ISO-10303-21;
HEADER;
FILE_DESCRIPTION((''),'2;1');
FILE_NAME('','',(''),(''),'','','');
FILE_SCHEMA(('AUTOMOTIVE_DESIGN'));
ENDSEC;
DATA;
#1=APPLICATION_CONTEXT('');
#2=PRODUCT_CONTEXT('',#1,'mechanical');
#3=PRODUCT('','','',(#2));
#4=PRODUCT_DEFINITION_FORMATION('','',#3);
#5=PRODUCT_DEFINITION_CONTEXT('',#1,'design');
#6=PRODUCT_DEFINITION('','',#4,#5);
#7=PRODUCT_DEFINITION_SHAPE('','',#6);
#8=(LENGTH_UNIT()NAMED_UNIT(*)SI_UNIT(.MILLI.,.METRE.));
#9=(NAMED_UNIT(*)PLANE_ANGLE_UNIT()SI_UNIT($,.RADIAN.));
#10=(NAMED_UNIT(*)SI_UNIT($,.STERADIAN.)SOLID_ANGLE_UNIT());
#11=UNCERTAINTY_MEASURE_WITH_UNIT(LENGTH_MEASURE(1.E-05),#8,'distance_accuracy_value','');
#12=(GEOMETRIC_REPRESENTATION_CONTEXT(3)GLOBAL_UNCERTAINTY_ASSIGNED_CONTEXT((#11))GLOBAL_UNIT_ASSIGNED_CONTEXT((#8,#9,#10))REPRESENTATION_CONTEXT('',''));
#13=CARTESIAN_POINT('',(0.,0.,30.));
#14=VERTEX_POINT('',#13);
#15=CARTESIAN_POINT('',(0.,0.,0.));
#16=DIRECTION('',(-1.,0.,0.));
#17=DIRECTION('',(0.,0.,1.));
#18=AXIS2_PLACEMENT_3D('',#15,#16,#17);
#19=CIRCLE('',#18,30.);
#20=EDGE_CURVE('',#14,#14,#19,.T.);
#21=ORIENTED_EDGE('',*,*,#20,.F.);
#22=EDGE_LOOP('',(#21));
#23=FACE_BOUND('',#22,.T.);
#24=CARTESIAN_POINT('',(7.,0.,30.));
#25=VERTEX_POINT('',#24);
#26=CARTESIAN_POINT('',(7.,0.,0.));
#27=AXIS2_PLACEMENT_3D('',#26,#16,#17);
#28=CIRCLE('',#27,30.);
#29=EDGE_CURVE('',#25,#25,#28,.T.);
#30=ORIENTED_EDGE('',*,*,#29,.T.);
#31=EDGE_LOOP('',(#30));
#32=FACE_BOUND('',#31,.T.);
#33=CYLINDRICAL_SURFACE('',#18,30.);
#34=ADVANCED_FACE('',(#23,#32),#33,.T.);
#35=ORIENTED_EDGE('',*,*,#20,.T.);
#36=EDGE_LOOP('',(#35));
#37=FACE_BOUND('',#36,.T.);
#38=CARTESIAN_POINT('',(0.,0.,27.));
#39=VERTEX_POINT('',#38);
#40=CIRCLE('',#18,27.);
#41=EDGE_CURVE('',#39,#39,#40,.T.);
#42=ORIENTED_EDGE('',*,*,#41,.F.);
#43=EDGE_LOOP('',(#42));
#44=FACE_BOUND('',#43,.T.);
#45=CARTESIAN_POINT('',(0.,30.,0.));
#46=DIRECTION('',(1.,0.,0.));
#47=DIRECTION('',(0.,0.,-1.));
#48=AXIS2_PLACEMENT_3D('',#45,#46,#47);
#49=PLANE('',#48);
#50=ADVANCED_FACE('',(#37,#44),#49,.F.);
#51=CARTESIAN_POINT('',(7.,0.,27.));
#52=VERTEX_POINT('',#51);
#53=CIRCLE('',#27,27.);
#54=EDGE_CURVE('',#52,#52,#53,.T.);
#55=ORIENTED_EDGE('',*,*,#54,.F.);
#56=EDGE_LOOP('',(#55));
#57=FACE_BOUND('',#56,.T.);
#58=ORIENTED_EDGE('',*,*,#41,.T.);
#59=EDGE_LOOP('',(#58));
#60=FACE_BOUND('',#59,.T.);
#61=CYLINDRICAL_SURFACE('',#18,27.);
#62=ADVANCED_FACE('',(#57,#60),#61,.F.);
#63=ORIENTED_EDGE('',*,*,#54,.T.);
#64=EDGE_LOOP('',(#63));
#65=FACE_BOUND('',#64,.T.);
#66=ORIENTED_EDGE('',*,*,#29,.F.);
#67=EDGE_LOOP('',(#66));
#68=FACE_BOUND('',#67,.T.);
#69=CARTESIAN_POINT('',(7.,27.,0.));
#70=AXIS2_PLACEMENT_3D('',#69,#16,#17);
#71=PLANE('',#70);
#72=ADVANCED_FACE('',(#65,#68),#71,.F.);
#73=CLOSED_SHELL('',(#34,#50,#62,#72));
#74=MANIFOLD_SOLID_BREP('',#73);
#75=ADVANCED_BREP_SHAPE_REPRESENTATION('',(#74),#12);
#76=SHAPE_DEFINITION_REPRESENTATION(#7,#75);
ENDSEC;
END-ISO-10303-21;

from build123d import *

# Parameters (mm, degrees)
ESQUISSE1_W = 7
ESQUISSE1_H = 3


with BuildPart() as part:
    # Esquisse1 → Révolution1 (revolve)
    with BuildSketch(Plane.XY, mode=Mode.PRIVATE) as r_volution1_sk:
        with Locations((3.5, 28.5)):
            Rectangle(ESQUISSE1_W, ESQUISSE1_H)
    revolve(r_volution1_sk.sketch.rotate(Axis((0, 0, 0), (1, 0, 0)), 90), axis=Axis((0, 0, 0), (1, 0, 0)))


solid = part.part
